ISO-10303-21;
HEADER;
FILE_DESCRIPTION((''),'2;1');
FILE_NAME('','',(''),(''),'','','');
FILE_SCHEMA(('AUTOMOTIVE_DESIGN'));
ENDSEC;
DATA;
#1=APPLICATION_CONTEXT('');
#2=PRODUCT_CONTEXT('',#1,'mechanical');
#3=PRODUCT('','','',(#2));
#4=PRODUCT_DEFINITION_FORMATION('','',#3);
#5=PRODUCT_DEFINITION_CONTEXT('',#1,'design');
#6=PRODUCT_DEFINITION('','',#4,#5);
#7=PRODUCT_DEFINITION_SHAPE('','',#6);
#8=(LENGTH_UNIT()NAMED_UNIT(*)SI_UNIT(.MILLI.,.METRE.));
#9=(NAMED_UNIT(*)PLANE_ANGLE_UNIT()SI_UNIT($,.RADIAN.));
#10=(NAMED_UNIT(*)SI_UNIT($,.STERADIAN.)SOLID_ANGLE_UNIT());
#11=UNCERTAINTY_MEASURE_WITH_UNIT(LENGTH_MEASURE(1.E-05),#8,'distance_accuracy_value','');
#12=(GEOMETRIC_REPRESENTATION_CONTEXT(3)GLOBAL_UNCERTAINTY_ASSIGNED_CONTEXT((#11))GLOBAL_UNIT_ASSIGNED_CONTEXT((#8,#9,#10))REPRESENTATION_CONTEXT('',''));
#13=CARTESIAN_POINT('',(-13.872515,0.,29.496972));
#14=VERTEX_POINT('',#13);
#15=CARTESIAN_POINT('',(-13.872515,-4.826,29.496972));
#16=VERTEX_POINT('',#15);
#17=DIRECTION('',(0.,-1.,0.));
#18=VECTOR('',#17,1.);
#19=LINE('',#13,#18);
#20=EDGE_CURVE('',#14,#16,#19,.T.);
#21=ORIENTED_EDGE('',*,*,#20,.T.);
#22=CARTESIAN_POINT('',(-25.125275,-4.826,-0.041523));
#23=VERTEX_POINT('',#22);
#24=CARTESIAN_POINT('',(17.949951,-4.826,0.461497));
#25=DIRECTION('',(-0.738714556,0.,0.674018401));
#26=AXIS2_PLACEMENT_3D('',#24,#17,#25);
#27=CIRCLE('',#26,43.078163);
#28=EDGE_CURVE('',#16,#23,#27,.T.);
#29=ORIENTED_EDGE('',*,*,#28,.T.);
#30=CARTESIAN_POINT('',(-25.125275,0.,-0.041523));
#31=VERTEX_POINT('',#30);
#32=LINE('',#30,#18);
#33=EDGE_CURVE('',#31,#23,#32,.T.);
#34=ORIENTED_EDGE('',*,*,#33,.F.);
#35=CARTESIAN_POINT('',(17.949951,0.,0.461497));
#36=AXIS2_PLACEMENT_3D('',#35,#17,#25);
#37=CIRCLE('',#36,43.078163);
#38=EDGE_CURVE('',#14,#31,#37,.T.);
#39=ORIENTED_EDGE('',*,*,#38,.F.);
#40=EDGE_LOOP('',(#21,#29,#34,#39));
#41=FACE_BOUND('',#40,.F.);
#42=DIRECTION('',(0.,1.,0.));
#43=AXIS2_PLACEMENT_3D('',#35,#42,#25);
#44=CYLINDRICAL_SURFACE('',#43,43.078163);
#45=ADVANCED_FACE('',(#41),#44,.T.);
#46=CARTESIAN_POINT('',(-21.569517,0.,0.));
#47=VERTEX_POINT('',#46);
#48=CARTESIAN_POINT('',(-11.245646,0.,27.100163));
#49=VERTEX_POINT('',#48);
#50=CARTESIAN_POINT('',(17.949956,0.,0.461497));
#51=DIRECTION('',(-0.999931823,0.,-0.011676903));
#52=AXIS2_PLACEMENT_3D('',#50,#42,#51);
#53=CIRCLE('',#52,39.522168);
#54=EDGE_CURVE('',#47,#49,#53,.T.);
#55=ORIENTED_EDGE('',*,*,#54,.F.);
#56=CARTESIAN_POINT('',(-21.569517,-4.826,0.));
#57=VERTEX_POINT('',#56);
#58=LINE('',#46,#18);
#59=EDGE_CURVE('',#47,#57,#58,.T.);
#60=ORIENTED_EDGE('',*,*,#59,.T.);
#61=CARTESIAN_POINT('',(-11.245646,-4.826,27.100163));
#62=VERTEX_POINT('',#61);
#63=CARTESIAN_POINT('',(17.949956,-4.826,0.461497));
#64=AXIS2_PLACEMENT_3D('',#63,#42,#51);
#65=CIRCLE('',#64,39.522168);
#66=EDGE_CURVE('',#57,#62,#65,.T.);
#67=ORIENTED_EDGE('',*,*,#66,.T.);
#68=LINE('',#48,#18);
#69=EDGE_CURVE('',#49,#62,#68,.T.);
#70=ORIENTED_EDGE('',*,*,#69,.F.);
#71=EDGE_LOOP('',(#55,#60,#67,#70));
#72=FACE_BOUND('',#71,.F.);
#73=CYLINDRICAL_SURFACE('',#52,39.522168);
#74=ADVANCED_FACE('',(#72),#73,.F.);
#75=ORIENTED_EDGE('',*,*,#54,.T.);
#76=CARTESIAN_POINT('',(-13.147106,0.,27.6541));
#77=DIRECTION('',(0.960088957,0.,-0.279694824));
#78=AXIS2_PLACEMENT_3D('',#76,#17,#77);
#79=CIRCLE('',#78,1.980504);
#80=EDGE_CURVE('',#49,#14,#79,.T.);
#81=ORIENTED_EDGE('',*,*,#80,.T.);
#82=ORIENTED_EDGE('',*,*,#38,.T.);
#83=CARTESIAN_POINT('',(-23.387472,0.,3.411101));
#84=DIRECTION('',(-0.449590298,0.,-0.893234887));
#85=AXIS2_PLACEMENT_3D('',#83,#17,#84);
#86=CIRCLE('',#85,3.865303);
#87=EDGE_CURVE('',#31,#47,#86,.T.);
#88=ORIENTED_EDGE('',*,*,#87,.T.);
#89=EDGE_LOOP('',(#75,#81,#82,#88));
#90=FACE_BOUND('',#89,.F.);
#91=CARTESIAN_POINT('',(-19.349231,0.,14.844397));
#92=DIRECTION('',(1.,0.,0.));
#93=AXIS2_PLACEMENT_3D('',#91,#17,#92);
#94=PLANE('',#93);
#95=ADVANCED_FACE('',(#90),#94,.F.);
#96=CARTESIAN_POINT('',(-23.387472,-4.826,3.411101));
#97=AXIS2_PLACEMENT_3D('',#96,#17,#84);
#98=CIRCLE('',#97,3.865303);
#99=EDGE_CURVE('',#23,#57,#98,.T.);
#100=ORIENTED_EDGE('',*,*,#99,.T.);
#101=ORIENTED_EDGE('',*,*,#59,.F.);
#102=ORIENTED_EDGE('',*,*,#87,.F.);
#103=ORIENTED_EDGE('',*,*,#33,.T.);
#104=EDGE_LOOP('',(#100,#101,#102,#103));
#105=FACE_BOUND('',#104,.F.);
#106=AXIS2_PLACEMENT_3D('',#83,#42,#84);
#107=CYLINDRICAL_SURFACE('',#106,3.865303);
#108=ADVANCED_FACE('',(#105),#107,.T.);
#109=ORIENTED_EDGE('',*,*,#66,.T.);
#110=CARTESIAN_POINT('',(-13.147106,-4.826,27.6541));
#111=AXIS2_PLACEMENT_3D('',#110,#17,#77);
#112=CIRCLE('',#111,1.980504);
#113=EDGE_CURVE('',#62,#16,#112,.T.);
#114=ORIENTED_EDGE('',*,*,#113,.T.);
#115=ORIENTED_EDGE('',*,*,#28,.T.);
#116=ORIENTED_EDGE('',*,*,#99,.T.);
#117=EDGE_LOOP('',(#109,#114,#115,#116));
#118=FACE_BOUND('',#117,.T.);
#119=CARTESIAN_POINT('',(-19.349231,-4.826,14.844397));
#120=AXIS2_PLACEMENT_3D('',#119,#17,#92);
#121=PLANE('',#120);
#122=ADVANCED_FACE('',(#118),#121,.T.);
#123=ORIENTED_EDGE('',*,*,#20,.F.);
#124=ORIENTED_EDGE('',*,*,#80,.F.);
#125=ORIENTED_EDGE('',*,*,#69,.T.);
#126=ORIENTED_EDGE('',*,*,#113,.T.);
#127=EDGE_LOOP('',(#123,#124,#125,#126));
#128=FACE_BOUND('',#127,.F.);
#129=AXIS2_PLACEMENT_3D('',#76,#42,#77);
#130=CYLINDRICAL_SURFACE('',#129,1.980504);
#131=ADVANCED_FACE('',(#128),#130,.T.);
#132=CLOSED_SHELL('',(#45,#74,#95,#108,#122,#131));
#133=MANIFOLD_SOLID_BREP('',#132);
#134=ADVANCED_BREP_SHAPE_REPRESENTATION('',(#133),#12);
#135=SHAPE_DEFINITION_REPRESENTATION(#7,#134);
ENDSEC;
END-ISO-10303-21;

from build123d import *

# Parameters (mm, degrees)
F1_DEPTH = 4.826


with BuildPart() as f1:
    # F0 (on Front) → F1 (new body)
    with BuildSketch(Plane.XZ):
        with BuildLine():
            ThreePointArc((-21.569517, 0), (-18.983025, 14.531203), (-11.245646, 27.100163))
            ThreePointArc((-11.245646, 27.100163), (-11.81221, 29.117127), (-13.872515, 29.496972))
            ThreePointArc((-13.872515, 29.496972), (-22.306064, 15.797122), (-25.125275, -0.041523))
            ThreePointArc((-25.125275, -0.041523), (-23.342337, -0.453939), (-21.569517, 0))
        make_face()
    extrude(amount=F1_DEPTH)


solid = f1.part
